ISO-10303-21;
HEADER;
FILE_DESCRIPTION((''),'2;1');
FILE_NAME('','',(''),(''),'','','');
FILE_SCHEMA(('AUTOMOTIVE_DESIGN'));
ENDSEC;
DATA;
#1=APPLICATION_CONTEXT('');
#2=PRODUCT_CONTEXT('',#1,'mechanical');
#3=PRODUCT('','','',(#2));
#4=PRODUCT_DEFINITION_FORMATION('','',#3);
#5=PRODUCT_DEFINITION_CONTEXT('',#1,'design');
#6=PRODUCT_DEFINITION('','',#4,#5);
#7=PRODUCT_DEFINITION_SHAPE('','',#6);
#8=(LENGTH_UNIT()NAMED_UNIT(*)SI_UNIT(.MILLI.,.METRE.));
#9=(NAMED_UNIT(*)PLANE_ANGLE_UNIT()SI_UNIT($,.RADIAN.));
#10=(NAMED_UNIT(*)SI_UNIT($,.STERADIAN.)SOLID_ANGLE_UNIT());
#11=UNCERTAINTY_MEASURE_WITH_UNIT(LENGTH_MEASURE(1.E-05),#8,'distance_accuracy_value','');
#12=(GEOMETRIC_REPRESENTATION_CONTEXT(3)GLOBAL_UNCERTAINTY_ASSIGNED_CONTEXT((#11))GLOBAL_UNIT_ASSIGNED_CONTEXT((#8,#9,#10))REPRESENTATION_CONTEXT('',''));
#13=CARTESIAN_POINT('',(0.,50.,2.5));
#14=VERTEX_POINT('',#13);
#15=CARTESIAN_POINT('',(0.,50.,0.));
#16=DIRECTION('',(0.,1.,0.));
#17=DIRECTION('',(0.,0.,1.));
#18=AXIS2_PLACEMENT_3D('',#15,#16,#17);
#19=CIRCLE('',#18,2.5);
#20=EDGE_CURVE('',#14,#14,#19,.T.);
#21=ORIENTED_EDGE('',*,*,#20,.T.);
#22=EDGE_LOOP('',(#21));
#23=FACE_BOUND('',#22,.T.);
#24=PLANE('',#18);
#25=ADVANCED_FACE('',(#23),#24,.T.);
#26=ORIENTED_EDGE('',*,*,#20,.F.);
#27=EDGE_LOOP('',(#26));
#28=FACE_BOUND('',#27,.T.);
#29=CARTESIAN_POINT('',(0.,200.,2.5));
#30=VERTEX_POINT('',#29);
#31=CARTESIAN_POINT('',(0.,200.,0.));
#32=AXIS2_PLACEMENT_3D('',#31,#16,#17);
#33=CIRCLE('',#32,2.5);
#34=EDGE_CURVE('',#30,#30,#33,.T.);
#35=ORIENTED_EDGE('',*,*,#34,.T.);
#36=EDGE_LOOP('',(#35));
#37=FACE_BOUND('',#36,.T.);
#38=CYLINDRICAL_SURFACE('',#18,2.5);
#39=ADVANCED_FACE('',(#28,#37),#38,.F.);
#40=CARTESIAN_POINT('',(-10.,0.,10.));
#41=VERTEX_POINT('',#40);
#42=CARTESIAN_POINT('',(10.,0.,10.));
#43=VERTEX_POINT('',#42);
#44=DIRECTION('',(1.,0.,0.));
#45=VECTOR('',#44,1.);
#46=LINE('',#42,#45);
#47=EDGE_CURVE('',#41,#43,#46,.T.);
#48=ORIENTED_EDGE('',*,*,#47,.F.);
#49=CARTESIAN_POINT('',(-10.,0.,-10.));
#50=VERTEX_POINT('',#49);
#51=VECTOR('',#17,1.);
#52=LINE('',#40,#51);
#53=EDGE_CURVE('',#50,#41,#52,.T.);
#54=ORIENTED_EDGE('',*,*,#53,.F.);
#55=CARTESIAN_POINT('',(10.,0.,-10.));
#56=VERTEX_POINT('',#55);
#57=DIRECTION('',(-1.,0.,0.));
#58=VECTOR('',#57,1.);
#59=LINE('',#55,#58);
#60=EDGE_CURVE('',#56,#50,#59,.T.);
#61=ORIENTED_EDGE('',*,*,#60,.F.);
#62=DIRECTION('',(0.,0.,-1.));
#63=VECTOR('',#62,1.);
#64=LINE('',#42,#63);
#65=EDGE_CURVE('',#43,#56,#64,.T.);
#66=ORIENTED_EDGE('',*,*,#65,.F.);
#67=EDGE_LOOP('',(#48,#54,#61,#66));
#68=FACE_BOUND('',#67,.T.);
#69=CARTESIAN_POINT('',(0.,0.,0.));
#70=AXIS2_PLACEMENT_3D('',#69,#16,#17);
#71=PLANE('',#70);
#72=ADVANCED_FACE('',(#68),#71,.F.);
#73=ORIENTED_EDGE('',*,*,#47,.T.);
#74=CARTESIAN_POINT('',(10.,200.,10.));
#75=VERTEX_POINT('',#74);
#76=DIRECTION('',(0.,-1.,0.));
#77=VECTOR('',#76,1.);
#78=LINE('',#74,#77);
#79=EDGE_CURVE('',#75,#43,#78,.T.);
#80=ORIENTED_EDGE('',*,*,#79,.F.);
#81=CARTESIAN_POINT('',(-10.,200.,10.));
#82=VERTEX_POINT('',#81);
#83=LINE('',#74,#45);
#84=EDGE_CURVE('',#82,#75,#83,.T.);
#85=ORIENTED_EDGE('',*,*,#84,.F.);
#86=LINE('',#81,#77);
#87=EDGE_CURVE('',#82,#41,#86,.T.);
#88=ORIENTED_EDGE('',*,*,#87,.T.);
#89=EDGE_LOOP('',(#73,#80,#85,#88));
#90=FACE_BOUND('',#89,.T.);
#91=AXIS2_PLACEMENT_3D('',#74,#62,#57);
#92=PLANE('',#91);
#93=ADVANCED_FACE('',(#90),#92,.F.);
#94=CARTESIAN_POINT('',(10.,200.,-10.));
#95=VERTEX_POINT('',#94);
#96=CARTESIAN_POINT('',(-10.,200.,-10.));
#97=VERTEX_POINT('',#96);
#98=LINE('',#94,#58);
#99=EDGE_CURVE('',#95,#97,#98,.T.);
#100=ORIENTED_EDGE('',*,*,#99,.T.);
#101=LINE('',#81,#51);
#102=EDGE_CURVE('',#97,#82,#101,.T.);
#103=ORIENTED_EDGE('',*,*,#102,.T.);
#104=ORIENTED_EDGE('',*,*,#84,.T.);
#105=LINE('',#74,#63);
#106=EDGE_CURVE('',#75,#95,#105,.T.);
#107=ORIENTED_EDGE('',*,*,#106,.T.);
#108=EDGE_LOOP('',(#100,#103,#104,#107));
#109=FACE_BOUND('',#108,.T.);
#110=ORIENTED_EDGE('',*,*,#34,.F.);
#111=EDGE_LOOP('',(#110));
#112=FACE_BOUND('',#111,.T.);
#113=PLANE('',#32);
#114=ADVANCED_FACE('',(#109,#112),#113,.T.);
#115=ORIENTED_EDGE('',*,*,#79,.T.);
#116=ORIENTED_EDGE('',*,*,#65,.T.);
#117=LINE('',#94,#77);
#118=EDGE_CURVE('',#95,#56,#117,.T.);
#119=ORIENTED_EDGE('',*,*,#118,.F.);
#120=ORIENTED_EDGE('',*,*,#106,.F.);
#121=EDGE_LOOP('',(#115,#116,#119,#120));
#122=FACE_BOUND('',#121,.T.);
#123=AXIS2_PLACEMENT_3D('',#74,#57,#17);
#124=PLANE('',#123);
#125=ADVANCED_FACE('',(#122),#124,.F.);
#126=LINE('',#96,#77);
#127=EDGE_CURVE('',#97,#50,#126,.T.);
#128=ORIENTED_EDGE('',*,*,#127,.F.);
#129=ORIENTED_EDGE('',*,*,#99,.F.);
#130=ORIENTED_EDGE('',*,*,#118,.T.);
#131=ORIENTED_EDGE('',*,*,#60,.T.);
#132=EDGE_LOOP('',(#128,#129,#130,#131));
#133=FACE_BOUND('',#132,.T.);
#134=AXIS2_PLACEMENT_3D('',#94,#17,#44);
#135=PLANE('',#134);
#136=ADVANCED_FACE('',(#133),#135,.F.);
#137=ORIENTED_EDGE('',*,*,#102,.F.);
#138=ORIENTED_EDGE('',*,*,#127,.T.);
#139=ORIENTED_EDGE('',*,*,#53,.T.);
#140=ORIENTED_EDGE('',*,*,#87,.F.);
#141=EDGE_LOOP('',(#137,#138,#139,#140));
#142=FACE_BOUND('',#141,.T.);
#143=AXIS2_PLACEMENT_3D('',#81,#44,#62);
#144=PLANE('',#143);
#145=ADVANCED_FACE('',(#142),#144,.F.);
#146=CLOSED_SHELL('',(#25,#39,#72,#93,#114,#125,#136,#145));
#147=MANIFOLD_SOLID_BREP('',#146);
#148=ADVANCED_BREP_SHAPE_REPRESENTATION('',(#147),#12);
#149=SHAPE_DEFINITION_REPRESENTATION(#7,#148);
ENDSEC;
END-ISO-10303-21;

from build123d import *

# Parameters (mm, degrees)
SKETCH1_W           = 20
SKETCH1_H           = 20
BOSS_EXTRUDE1_DEPTH = 200
SKETCH2_R           = 2.5
CUT_EXTRUDE1_DEPTH  = 150


with BuildPart() as part:
    # Sketch1 → Boss-Extrude1 (new body)
    with BuildSketch(Plane(origin=(0, 0, 0), x_dir=(1, 0, 0), z_dir=(0, 1, 0))):
        Rectangle(SKETCH1_W, SKETCH1_H)
    extrude(amount=BOSS_EXTRUDE1_DEPTH)

    # Sketch2 → Cut-Extrude1 (cut)
    with BuildSketch(Plane(origin=(0, 200, 0), x_dir=(1, 0, 0), z_dir=(0, 1, 0))):
        with Locations(Location((0, 0, 0), (0, 0, 270))):
            Circle(SKETCH2_R)
    extrude(amount=-CUT_EXTRUDE1_DEPTH, mode=Mode.SUBTRACT)


solid = part.part
